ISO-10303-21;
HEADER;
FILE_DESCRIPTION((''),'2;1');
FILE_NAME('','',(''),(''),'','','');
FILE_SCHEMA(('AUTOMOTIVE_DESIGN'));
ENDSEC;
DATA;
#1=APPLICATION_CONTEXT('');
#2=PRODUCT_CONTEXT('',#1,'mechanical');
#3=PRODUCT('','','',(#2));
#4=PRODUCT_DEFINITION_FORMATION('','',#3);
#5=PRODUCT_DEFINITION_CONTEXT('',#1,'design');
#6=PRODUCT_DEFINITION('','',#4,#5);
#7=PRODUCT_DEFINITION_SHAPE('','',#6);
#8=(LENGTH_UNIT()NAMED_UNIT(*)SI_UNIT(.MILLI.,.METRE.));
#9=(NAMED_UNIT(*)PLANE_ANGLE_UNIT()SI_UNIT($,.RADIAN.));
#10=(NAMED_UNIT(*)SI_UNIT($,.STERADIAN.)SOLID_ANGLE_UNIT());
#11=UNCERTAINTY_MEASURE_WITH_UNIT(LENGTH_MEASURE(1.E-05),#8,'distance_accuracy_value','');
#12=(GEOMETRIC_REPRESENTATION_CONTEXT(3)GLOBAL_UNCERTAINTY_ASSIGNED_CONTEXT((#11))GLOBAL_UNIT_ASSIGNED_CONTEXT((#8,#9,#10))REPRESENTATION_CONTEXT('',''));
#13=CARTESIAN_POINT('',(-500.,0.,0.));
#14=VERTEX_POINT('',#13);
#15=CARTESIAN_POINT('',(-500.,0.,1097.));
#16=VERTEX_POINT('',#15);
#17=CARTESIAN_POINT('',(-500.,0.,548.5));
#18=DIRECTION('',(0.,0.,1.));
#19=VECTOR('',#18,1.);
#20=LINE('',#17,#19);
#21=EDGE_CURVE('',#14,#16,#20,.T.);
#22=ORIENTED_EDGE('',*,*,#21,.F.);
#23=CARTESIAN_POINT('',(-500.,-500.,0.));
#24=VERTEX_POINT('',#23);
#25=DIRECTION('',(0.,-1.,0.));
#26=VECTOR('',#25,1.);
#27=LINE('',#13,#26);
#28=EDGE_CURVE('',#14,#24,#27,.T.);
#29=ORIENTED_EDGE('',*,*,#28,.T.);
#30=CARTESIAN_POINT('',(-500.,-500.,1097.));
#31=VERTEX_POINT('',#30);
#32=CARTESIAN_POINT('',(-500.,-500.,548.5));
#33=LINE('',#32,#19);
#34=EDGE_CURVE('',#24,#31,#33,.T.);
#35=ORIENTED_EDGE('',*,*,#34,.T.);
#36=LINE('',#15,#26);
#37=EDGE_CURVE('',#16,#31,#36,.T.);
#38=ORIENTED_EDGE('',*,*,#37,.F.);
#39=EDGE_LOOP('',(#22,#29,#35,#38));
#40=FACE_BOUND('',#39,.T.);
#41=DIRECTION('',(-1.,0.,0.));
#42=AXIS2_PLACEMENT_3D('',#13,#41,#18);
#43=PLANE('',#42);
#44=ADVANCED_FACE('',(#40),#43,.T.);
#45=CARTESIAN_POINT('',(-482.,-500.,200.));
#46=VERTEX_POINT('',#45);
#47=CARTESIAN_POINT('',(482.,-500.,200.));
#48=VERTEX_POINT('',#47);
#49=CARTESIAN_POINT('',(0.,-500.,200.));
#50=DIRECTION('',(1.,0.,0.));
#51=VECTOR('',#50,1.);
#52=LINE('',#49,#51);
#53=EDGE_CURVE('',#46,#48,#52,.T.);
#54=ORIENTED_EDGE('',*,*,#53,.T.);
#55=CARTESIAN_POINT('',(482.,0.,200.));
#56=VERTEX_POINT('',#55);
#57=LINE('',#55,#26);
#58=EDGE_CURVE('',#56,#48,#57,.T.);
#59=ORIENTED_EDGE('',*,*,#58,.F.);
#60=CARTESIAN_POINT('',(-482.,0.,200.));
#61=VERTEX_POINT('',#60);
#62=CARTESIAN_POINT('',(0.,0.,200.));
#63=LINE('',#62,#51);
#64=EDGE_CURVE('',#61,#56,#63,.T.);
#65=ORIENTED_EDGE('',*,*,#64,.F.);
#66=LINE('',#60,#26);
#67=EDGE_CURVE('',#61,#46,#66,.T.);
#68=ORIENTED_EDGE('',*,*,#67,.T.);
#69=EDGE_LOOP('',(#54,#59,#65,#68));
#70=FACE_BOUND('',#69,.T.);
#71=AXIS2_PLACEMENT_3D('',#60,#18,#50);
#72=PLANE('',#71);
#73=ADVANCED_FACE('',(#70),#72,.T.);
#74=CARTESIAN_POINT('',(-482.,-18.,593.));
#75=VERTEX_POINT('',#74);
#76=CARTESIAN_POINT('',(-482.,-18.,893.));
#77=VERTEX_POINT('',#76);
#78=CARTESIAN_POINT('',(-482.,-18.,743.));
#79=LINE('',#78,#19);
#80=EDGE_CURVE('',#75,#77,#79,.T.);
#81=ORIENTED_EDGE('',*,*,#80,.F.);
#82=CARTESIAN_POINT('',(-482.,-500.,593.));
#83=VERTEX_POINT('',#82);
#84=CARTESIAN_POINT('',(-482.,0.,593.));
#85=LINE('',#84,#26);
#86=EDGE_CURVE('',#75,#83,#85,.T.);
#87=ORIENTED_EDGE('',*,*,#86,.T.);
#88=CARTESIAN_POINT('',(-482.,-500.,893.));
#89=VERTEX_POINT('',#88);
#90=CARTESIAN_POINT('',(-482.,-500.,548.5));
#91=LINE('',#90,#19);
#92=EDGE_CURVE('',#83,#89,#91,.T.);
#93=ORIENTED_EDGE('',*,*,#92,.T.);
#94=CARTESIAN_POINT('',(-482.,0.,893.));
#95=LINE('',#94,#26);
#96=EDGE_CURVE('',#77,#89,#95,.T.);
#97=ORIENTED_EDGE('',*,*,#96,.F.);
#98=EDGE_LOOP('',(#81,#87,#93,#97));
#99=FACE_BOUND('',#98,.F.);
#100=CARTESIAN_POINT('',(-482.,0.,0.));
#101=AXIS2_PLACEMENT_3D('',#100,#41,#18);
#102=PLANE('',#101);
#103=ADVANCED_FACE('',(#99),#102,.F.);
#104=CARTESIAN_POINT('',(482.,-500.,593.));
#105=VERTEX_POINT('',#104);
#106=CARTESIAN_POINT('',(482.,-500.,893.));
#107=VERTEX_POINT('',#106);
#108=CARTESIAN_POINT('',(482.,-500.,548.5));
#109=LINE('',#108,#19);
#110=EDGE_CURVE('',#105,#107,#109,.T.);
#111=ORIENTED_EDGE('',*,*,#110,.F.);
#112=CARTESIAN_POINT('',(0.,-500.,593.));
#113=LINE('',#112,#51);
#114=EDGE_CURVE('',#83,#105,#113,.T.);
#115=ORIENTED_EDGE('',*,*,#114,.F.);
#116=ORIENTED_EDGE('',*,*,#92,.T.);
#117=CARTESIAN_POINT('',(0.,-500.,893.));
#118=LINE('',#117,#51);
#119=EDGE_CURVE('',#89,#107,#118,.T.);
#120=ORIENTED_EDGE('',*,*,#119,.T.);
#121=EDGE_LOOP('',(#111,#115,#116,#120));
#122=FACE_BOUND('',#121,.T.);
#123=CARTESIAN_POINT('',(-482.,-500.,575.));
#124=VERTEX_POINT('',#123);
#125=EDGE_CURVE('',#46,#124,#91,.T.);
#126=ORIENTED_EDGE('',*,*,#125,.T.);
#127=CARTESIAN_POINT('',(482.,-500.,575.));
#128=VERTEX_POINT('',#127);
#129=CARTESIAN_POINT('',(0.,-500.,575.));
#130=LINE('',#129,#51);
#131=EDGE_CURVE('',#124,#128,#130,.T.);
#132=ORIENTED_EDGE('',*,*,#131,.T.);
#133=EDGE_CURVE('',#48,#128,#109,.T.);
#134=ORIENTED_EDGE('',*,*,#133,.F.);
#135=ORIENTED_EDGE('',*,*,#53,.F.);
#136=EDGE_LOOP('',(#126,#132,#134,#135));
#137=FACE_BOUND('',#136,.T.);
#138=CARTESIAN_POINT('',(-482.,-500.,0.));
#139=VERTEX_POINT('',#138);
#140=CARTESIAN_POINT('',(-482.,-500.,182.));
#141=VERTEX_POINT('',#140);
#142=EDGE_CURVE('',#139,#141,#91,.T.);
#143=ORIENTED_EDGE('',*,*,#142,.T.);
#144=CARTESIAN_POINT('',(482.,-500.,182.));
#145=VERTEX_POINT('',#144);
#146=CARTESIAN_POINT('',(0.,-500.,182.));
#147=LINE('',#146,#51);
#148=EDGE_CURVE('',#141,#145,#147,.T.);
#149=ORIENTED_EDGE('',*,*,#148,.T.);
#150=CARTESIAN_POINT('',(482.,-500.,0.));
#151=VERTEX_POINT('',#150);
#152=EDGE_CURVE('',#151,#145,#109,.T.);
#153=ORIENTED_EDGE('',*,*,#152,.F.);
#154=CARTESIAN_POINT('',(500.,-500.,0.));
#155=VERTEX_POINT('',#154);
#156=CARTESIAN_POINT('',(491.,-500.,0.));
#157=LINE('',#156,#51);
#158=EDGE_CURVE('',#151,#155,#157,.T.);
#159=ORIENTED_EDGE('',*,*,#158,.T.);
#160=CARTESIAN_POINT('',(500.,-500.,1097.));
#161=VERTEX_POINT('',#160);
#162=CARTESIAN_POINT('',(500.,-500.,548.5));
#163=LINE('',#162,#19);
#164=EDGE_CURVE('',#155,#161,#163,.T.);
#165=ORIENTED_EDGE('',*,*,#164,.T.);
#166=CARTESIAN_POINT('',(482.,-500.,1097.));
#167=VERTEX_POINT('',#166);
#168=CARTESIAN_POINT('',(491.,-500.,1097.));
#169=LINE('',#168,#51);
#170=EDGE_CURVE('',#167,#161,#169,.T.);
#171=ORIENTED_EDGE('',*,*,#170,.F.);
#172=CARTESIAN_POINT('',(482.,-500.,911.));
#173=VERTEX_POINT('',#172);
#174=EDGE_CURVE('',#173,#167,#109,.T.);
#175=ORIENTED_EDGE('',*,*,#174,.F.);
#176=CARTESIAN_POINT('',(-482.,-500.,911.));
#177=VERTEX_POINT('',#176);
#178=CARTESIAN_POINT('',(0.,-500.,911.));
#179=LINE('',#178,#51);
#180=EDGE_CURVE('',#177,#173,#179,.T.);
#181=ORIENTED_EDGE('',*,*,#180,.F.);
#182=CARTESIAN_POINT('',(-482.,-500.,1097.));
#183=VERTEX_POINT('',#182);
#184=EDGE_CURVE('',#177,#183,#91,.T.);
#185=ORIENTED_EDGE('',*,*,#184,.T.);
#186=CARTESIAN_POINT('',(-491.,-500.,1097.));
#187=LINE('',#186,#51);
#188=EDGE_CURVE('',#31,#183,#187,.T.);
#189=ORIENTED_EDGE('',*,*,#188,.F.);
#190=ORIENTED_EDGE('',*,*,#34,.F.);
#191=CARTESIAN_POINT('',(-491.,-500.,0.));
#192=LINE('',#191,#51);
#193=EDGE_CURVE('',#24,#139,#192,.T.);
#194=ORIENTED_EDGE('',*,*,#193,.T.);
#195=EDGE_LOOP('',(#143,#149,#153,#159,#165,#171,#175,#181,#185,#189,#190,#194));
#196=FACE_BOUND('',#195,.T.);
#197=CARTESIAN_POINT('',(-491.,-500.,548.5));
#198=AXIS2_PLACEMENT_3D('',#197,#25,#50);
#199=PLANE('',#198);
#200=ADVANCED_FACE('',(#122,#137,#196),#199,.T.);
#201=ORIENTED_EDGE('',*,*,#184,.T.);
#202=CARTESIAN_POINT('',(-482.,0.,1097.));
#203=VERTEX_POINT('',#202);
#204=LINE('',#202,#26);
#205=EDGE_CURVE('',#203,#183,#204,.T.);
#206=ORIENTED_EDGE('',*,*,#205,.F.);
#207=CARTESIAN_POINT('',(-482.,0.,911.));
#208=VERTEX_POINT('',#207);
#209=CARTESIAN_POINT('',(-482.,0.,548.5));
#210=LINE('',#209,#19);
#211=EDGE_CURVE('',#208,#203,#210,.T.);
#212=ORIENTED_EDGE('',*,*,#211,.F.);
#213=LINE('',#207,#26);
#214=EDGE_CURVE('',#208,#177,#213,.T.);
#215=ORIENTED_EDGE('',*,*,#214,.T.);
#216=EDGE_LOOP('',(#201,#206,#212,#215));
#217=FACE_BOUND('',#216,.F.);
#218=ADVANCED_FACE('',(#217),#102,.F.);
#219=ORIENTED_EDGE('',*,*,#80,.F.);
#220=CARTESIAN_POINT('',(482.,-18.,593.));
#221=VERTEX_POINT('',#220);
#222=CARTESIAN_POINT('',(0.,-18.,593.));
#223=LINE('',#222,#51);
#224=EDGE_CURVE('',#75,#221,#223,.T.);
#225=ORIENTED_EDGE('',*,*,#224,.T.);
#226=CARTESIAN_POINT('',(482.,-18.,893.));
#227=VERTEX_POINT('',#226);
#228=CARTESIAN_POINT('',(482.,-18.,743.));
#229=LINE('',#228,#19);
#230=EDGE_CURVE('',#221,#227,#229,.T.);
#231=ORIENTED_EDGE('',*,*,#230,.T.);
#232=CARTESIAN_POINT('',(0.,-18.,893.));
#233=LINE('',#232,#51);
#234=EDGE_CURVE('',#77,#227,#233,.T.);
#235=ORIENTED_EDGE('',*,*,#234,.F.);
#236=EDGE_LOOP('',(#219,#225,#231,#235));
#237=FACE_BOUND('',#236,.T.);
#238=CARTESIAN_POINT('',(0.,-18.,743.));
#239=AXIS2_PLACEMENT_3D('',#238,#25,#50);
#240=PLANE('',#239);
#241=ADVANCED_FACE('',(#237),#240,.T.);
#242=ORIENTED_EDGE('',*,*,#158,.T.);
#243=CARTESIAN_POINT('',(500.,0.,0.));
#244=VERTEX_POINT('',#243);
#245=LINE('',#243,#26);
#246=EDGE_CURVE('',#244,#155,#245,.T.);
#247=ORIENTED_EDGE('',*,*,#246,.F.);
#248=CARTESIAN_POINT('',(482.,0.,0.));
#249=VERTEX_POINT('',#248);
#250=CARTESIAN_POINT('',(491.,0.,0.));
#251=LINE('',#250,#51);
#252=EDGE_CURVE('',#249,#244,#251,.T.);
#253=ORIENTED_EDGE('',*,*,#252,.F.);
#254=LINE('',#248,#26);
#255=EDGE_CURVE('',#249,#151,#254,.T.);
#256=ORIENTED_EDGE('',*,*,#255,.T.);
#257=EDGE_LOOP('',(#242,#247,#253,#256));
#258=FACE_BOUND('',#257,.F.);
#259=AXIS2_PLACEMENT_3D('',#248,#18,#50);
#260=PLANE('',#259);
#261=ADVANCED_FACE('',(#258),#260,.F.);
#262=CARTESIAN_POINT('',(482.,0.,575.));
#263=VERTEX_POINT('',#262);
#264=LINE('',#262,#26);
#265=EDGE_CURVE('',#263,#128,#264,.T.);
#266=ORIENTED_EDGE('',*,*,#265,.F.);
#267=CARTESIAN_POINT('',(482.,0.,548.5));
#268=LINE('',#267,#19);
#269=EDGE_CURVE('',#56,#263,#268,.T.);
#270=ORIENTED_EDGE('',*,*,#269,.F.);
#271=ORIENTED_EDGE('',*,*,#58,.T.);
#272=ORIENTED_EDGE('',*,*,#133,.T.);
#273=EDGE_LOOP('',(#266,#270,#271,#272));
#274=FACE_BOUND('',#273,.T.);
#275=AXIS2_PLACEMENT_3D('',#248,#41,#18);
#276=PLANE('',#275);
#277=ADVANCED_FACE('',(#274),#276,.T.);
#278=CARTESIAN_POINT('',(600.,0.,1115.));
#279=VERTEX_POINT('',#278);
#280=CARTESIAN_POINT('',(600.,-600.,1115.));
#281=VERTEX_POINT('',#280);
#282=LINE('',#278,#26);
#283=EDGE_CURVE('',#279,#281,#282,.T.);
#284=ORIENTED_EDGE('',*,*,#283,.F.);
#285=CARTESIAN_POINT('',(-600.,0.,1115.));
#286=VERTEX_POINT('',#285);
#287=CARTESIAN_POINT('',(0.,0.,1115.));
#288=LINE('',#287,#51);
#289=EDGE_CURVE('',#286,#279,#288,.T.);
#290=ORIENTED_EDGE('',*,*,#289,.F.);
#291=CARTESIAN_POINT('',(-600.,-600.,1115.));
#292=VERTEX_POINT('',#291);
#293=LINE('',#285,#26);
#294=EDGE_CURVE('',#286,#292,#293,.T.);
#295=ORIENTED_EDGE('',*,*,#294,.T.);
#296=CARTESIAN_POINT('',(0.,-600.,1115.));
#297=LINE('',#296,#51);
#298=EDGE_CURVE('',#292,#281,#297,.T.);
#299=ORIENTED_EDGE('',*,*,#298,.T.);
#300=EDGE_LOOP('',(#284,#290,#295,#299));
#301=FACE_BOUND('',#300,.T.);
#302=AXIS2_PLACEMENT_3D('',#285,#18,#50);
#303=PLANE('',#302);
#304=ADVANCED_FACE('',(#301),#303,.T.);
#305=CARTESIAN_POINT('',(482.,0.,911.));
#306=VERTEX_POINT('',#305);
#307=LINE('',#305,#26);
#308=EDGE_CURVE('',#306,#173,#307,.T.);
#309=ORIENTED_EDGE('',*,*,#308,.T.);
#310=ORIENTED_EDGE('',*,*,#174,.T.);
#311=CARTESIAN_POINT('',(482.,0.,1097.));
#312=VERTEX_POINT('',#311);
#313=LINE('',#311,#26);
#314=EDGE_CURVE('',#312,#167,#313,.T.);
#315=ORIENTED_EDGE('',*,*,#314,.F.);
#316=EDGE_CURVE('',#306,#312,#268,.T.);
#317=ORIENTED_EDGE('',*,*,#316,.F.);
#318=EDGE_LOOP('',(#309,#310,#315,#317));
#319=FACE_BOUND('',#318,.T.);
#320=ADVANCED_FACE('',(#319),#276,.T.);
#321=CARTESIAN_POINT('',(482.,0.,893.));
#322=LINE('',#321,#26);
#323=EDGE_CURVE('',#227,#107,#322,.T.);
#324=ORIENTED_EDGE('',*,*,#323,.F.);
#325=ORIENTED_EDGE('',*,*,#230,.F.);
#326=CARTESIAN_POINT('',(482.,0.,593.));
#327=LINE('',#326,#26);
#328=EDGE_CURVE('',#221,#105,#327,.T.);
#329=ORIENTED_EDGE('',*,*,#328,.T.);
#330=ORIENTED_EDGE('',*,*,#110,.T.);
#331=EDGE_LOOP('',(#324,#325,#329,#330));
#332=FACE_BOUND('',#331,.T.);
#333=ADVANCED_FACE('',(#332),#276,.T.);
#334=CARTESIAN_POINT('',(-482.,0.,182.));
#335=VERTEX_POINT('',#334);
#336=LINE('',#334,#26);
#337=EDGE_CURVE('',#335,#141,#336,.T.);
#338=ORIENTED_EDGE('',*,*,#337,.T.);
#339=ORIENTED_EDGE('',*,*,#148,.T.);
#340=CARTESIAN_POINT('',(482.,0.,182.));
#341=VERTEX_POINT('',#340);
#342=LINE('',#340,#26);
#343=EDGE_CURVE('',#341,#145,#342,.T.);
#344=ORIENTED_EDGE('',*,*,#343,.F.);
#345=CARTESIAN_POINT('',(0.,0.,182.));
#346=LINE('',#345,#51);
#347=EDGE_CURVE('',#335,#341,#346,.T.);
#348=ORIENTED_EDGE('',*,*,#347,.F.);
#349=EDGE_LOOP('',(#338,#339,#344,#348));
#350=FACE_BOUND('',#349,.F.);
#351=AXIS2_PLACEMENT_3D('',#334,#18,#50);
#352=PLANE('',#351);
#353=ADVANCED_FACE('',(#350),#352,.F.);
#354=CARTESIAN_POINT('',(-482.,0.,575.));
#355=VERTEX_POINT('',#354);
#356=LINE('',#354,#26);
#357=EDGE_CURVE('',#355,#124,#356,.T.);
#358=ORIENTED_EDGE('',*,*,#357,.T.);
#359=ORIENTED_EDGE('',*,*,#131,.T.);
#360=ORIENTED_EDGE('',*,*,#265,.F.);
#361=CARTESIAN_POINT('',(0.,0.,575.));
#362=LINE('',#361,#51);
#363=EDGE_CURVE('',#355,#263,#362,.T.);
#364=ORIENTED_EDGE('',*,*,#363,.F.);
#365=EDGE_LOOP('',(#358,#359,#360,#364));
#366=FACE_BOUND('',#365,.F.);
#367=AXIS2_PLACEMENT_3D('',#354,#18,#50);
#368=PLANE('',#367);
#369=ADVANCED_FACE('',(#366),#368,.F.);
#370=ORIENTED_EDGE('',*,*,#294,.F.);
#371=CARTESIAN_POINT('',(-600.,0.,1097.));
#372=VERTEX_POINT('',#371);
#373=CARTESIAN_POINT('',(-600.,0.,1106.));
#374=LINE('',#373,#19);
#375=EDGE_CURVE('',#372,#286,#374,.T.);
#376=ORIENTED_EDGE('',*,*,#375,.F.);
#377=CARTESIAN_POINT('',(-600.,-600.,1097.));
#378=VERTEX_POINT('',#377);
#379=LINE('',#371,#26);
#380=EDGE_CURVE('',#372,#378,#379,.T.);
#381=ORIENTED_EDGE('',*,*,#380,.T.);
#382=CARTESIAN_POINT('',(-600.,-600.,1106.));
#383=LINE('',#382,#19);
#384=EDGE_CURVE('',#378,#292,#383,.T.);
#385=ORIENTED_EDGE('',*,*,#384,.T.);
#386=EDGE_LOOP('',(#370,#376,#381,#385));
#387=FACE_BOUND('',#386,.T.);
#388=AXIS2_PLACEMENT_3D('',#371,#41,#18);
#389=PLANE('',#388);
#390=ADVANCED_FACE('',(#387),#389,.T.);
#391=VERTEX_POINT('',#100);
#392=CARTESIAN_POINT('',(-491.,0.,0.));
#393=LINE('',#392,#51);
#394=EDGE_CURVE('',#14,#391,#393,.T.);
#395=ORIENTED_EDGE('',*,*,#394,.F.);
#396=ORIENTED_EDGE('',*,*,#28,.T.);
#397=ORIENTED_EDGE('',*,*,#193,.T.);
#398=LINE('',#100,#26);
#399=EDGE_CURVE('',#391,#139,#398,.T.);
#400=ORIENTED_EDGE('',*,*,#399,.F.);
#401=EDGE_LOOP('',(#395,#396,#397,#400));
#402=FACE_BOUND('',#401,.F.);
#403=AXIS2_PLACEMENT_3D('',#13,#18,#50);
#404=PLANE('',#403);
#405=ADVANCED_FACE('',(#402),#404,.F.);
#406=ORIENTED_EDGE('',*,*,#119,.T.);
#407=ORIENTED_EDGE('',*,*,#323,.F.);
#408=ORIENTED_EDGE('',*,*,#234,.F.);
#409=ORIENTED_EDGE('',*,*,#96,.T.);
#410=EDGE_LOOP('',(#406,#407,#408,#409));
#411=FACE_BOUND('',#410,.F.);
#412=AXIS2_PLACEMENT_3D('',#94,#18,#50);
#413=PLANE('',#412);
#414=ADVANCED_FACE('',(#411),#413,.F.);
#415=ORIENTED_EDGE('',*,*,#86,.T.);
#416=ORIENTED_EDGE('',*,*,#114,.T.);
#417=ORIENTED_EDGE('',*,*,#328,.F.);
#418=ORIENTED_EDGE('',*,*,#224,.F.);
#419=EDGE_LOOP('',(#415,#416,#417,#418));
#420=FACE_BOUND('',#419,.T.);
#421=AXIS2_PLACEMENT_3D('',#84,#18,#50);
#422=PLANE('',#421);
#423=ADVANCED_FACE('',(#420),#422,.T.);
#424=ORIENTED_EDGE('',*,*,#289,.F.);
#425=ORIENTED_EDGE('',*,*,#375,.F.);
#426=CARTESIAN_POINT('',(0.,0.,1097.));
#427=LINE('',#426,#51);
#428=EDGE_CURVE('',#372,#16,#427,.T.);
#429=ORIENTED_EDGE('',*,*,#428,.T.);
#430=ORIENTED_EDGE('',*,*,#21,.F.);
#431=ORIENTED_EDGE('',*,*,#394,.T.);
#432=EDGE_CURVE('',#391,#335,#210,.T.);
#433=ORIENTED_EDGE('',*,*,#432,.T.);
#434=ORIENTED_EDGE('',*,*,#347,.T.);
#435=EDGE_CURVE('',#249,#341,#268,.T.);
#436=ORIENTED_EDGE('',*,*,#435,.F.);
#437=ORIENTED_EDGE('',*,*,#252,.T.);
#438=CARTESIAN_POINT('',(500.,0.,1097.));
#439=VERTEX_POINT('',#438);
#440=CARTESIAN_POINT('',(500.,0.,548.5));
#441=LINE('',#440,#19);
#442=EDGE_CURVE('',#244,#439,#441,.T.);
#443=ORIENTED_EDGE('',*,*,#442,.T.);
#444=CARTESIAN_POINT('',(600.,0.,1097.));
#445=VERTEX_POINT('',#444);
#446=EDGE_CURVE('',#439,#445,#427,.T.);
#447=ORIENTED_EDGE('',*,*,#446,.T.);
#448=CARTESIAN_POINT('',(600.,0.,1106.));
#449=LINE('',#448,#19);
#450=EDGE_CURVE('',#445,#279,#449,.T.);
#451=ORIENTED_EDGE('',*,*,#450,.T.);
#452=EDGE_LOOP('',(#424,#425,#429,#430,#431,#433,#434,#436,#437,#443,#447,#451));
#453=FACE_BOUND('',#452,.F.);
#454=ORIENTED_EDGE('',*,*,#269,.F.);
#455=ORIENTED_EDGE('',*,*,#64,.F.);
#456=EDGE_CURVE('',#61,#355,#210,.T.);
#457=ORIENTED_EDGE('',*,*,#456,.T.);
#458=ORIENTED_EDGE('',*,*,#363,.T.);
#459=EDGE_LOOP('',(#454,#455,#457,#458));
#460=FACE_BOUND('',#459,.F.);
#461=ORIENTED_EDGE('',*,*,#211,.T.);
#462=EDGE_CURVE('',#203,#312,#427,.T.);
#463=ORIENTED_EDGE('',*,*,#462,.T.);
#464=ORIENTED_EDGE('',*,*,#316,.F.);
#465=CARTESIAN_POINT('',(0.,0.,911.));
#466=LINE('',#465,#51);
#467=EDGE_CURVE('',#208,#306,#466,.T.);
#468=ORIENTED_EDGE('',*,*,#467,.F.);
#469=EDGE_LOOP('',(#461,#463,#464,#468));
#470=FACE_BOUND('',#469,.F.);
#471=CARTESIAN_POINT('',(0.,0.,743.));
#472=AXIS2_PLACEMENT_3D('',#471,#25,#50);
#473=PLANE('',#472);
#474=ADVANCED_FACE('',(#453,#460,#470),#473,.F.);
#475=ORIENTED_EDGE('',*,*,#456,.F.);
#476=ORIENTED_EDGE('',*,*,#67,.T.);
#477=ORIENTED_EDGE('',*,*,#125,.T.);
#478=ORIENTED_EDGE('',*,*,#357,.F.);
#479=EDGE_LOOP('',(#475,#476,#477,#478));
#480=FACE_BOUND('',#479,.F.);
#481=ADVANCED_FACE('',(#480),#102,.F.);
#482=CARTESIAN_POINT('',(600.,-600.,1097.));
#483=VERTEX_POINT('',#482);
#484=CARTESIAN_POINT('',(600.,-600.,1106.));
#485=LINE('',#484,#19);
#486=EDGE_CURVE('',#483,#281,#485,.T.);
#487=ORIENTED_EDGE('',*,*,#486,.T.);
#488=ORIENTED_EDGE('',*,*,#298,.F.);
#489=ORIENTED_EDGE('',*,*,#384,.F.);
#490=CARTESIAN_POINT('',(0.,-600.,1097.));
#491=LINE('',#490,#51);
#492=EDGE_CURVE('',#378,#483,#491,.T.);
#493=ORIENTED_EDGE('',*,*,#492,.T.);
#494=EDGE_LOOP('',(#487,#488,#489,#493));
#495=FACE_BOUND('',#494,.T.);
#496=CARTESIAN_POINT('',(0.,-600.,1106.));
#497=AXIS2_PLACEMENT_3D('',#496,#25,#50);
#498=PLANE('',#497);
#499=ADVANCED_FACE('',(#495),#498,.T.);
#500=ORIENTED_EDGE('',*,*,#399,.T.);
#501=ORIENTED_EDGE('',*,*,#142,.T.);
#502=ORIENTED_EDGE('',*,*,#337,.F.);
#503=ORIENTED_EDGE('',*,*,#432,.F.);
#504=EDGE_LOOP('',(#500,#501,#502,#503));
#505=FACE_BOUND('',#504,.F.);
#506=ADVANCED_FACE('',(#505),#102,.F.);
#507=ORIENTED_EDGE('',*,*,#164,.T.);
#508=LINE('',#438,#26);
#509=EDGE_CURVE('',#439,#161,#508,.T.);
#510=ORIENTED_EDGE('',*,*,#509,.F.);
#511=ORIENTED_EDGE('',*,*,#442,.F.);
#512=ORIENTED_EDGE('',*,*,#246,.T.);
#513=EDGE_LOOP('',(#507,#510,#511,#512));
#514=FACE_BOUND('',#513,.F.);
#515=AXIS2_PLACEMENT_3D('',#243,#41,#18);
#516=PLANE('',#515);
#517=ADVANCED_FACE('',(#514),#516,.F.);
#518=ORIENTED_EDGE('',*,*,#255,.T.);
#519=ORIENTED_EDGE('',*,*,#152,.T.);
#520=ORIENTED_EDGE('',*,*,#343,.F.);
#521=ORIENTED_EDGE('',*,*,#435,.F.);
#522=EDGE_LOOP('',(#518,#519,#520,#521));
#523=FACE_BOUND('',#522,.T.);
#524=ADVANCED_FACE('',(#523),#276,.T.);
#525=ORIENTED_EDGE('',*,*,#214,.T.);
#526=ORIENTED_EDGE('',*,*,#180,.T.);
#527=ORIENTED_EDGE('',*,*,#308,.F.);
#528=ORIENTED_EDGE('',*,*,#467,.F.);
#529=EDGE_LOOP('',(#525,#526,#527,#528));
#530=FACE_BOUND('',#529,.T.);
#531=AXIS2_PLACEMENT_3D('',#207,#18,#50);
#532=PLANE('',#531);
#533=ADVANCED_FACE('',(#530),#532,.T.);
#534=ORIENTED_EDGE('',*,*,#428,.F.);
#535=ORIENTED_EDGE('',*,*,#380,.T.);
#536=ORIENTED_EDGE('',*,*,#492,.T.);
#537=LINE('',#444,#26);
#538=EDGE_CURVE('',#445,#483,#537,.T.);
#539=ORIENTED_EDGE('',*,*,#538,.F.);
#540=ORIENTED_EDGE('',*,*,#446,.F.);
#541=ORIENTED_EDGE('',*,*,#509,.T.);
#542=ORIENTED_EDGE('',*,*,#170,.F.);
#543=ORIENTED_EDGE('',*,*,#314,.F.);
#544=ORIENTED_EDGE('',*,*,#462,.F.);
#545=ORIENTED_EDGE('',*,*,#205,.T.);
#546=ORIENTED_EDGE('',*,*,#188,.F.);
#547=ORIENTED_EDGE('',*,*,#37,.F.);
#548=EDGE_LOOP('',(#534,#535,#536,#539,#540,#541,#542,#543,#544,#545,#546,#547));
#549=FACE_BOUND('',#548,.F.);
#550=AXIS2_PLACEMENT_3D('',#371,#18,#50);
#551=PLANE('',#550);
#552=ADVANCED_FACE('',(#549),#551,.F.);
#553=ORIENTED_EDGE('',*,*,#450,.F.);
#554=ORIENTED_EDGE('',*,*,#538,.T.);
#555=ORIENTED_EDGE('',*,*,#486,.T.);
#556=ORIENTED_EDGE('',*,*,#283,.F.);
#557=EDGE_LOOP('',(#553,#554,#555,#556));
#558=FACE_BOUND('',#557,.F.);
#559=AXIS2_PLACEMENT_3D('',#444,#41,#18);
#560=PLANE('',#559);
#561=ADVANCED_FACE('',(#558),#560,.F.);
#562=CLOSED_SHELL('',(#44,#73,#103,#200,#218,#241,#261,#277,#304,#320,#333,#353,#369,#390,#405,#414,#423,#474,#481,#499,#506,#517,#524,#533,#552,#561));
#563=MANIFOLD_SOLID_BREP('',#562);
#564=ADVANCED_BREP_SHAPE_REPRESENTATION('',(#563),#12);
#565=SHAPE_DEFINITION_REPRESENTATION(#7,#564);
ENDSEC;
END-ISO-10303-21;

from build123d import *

# Parameters (mm, degrees)
F0_W     = 1200
F0_H     = 18
F1_DEPTH = 600
F2_W     = 18
F2_H     = 1097
F3_DEPTH = 500
F4_W     = 964
F4_H     = 18
F5_DEPTH = 500
F6_W     = 964
F6_H     = 300
F7_DEPTH = 18


with BuildPart() as f1:
    # F0 (on Front) → F1 (new body)
    with BuildSketch(Plane.XZ):
        with Locations((0, 1106)):
            Rectangle(F0_W, F0_H)
    extrude(amount=F1_DEPTH)

    # F2 (on Front) → F3 (join)
    with BuildSketch(Plane.XZ):
        with Locations((-491, 548.5)):
            Rectangle(F2_W, F2_H)
        with Locations((491, 548.5)):
            Rectangle(F2_W, F2_H)
    extrude(amount=F3_DEPTH)

    # F4 (on Front) → F5 (join)
    with BuildSketch(Plane.XZ):
        with Locations((0, 191)):
            Rectangle(F4_W, F4_H)
        with Locations((0, 584)):
            Rectangle(F4_W, F4_H)
        with Locations((0, 902)):
            Rectangle(F4_W, F4_H)
    extrude(amount=F5_DEPTH)

    # F6 (on Front) → F7 (join)
    with BuildSketch(Plane.XZ):
        with Locations((0, 743)):
            Rectangle(F6_W, F6_H)
    extrude(amount=F7_DEPTH)


solid = f1.part
